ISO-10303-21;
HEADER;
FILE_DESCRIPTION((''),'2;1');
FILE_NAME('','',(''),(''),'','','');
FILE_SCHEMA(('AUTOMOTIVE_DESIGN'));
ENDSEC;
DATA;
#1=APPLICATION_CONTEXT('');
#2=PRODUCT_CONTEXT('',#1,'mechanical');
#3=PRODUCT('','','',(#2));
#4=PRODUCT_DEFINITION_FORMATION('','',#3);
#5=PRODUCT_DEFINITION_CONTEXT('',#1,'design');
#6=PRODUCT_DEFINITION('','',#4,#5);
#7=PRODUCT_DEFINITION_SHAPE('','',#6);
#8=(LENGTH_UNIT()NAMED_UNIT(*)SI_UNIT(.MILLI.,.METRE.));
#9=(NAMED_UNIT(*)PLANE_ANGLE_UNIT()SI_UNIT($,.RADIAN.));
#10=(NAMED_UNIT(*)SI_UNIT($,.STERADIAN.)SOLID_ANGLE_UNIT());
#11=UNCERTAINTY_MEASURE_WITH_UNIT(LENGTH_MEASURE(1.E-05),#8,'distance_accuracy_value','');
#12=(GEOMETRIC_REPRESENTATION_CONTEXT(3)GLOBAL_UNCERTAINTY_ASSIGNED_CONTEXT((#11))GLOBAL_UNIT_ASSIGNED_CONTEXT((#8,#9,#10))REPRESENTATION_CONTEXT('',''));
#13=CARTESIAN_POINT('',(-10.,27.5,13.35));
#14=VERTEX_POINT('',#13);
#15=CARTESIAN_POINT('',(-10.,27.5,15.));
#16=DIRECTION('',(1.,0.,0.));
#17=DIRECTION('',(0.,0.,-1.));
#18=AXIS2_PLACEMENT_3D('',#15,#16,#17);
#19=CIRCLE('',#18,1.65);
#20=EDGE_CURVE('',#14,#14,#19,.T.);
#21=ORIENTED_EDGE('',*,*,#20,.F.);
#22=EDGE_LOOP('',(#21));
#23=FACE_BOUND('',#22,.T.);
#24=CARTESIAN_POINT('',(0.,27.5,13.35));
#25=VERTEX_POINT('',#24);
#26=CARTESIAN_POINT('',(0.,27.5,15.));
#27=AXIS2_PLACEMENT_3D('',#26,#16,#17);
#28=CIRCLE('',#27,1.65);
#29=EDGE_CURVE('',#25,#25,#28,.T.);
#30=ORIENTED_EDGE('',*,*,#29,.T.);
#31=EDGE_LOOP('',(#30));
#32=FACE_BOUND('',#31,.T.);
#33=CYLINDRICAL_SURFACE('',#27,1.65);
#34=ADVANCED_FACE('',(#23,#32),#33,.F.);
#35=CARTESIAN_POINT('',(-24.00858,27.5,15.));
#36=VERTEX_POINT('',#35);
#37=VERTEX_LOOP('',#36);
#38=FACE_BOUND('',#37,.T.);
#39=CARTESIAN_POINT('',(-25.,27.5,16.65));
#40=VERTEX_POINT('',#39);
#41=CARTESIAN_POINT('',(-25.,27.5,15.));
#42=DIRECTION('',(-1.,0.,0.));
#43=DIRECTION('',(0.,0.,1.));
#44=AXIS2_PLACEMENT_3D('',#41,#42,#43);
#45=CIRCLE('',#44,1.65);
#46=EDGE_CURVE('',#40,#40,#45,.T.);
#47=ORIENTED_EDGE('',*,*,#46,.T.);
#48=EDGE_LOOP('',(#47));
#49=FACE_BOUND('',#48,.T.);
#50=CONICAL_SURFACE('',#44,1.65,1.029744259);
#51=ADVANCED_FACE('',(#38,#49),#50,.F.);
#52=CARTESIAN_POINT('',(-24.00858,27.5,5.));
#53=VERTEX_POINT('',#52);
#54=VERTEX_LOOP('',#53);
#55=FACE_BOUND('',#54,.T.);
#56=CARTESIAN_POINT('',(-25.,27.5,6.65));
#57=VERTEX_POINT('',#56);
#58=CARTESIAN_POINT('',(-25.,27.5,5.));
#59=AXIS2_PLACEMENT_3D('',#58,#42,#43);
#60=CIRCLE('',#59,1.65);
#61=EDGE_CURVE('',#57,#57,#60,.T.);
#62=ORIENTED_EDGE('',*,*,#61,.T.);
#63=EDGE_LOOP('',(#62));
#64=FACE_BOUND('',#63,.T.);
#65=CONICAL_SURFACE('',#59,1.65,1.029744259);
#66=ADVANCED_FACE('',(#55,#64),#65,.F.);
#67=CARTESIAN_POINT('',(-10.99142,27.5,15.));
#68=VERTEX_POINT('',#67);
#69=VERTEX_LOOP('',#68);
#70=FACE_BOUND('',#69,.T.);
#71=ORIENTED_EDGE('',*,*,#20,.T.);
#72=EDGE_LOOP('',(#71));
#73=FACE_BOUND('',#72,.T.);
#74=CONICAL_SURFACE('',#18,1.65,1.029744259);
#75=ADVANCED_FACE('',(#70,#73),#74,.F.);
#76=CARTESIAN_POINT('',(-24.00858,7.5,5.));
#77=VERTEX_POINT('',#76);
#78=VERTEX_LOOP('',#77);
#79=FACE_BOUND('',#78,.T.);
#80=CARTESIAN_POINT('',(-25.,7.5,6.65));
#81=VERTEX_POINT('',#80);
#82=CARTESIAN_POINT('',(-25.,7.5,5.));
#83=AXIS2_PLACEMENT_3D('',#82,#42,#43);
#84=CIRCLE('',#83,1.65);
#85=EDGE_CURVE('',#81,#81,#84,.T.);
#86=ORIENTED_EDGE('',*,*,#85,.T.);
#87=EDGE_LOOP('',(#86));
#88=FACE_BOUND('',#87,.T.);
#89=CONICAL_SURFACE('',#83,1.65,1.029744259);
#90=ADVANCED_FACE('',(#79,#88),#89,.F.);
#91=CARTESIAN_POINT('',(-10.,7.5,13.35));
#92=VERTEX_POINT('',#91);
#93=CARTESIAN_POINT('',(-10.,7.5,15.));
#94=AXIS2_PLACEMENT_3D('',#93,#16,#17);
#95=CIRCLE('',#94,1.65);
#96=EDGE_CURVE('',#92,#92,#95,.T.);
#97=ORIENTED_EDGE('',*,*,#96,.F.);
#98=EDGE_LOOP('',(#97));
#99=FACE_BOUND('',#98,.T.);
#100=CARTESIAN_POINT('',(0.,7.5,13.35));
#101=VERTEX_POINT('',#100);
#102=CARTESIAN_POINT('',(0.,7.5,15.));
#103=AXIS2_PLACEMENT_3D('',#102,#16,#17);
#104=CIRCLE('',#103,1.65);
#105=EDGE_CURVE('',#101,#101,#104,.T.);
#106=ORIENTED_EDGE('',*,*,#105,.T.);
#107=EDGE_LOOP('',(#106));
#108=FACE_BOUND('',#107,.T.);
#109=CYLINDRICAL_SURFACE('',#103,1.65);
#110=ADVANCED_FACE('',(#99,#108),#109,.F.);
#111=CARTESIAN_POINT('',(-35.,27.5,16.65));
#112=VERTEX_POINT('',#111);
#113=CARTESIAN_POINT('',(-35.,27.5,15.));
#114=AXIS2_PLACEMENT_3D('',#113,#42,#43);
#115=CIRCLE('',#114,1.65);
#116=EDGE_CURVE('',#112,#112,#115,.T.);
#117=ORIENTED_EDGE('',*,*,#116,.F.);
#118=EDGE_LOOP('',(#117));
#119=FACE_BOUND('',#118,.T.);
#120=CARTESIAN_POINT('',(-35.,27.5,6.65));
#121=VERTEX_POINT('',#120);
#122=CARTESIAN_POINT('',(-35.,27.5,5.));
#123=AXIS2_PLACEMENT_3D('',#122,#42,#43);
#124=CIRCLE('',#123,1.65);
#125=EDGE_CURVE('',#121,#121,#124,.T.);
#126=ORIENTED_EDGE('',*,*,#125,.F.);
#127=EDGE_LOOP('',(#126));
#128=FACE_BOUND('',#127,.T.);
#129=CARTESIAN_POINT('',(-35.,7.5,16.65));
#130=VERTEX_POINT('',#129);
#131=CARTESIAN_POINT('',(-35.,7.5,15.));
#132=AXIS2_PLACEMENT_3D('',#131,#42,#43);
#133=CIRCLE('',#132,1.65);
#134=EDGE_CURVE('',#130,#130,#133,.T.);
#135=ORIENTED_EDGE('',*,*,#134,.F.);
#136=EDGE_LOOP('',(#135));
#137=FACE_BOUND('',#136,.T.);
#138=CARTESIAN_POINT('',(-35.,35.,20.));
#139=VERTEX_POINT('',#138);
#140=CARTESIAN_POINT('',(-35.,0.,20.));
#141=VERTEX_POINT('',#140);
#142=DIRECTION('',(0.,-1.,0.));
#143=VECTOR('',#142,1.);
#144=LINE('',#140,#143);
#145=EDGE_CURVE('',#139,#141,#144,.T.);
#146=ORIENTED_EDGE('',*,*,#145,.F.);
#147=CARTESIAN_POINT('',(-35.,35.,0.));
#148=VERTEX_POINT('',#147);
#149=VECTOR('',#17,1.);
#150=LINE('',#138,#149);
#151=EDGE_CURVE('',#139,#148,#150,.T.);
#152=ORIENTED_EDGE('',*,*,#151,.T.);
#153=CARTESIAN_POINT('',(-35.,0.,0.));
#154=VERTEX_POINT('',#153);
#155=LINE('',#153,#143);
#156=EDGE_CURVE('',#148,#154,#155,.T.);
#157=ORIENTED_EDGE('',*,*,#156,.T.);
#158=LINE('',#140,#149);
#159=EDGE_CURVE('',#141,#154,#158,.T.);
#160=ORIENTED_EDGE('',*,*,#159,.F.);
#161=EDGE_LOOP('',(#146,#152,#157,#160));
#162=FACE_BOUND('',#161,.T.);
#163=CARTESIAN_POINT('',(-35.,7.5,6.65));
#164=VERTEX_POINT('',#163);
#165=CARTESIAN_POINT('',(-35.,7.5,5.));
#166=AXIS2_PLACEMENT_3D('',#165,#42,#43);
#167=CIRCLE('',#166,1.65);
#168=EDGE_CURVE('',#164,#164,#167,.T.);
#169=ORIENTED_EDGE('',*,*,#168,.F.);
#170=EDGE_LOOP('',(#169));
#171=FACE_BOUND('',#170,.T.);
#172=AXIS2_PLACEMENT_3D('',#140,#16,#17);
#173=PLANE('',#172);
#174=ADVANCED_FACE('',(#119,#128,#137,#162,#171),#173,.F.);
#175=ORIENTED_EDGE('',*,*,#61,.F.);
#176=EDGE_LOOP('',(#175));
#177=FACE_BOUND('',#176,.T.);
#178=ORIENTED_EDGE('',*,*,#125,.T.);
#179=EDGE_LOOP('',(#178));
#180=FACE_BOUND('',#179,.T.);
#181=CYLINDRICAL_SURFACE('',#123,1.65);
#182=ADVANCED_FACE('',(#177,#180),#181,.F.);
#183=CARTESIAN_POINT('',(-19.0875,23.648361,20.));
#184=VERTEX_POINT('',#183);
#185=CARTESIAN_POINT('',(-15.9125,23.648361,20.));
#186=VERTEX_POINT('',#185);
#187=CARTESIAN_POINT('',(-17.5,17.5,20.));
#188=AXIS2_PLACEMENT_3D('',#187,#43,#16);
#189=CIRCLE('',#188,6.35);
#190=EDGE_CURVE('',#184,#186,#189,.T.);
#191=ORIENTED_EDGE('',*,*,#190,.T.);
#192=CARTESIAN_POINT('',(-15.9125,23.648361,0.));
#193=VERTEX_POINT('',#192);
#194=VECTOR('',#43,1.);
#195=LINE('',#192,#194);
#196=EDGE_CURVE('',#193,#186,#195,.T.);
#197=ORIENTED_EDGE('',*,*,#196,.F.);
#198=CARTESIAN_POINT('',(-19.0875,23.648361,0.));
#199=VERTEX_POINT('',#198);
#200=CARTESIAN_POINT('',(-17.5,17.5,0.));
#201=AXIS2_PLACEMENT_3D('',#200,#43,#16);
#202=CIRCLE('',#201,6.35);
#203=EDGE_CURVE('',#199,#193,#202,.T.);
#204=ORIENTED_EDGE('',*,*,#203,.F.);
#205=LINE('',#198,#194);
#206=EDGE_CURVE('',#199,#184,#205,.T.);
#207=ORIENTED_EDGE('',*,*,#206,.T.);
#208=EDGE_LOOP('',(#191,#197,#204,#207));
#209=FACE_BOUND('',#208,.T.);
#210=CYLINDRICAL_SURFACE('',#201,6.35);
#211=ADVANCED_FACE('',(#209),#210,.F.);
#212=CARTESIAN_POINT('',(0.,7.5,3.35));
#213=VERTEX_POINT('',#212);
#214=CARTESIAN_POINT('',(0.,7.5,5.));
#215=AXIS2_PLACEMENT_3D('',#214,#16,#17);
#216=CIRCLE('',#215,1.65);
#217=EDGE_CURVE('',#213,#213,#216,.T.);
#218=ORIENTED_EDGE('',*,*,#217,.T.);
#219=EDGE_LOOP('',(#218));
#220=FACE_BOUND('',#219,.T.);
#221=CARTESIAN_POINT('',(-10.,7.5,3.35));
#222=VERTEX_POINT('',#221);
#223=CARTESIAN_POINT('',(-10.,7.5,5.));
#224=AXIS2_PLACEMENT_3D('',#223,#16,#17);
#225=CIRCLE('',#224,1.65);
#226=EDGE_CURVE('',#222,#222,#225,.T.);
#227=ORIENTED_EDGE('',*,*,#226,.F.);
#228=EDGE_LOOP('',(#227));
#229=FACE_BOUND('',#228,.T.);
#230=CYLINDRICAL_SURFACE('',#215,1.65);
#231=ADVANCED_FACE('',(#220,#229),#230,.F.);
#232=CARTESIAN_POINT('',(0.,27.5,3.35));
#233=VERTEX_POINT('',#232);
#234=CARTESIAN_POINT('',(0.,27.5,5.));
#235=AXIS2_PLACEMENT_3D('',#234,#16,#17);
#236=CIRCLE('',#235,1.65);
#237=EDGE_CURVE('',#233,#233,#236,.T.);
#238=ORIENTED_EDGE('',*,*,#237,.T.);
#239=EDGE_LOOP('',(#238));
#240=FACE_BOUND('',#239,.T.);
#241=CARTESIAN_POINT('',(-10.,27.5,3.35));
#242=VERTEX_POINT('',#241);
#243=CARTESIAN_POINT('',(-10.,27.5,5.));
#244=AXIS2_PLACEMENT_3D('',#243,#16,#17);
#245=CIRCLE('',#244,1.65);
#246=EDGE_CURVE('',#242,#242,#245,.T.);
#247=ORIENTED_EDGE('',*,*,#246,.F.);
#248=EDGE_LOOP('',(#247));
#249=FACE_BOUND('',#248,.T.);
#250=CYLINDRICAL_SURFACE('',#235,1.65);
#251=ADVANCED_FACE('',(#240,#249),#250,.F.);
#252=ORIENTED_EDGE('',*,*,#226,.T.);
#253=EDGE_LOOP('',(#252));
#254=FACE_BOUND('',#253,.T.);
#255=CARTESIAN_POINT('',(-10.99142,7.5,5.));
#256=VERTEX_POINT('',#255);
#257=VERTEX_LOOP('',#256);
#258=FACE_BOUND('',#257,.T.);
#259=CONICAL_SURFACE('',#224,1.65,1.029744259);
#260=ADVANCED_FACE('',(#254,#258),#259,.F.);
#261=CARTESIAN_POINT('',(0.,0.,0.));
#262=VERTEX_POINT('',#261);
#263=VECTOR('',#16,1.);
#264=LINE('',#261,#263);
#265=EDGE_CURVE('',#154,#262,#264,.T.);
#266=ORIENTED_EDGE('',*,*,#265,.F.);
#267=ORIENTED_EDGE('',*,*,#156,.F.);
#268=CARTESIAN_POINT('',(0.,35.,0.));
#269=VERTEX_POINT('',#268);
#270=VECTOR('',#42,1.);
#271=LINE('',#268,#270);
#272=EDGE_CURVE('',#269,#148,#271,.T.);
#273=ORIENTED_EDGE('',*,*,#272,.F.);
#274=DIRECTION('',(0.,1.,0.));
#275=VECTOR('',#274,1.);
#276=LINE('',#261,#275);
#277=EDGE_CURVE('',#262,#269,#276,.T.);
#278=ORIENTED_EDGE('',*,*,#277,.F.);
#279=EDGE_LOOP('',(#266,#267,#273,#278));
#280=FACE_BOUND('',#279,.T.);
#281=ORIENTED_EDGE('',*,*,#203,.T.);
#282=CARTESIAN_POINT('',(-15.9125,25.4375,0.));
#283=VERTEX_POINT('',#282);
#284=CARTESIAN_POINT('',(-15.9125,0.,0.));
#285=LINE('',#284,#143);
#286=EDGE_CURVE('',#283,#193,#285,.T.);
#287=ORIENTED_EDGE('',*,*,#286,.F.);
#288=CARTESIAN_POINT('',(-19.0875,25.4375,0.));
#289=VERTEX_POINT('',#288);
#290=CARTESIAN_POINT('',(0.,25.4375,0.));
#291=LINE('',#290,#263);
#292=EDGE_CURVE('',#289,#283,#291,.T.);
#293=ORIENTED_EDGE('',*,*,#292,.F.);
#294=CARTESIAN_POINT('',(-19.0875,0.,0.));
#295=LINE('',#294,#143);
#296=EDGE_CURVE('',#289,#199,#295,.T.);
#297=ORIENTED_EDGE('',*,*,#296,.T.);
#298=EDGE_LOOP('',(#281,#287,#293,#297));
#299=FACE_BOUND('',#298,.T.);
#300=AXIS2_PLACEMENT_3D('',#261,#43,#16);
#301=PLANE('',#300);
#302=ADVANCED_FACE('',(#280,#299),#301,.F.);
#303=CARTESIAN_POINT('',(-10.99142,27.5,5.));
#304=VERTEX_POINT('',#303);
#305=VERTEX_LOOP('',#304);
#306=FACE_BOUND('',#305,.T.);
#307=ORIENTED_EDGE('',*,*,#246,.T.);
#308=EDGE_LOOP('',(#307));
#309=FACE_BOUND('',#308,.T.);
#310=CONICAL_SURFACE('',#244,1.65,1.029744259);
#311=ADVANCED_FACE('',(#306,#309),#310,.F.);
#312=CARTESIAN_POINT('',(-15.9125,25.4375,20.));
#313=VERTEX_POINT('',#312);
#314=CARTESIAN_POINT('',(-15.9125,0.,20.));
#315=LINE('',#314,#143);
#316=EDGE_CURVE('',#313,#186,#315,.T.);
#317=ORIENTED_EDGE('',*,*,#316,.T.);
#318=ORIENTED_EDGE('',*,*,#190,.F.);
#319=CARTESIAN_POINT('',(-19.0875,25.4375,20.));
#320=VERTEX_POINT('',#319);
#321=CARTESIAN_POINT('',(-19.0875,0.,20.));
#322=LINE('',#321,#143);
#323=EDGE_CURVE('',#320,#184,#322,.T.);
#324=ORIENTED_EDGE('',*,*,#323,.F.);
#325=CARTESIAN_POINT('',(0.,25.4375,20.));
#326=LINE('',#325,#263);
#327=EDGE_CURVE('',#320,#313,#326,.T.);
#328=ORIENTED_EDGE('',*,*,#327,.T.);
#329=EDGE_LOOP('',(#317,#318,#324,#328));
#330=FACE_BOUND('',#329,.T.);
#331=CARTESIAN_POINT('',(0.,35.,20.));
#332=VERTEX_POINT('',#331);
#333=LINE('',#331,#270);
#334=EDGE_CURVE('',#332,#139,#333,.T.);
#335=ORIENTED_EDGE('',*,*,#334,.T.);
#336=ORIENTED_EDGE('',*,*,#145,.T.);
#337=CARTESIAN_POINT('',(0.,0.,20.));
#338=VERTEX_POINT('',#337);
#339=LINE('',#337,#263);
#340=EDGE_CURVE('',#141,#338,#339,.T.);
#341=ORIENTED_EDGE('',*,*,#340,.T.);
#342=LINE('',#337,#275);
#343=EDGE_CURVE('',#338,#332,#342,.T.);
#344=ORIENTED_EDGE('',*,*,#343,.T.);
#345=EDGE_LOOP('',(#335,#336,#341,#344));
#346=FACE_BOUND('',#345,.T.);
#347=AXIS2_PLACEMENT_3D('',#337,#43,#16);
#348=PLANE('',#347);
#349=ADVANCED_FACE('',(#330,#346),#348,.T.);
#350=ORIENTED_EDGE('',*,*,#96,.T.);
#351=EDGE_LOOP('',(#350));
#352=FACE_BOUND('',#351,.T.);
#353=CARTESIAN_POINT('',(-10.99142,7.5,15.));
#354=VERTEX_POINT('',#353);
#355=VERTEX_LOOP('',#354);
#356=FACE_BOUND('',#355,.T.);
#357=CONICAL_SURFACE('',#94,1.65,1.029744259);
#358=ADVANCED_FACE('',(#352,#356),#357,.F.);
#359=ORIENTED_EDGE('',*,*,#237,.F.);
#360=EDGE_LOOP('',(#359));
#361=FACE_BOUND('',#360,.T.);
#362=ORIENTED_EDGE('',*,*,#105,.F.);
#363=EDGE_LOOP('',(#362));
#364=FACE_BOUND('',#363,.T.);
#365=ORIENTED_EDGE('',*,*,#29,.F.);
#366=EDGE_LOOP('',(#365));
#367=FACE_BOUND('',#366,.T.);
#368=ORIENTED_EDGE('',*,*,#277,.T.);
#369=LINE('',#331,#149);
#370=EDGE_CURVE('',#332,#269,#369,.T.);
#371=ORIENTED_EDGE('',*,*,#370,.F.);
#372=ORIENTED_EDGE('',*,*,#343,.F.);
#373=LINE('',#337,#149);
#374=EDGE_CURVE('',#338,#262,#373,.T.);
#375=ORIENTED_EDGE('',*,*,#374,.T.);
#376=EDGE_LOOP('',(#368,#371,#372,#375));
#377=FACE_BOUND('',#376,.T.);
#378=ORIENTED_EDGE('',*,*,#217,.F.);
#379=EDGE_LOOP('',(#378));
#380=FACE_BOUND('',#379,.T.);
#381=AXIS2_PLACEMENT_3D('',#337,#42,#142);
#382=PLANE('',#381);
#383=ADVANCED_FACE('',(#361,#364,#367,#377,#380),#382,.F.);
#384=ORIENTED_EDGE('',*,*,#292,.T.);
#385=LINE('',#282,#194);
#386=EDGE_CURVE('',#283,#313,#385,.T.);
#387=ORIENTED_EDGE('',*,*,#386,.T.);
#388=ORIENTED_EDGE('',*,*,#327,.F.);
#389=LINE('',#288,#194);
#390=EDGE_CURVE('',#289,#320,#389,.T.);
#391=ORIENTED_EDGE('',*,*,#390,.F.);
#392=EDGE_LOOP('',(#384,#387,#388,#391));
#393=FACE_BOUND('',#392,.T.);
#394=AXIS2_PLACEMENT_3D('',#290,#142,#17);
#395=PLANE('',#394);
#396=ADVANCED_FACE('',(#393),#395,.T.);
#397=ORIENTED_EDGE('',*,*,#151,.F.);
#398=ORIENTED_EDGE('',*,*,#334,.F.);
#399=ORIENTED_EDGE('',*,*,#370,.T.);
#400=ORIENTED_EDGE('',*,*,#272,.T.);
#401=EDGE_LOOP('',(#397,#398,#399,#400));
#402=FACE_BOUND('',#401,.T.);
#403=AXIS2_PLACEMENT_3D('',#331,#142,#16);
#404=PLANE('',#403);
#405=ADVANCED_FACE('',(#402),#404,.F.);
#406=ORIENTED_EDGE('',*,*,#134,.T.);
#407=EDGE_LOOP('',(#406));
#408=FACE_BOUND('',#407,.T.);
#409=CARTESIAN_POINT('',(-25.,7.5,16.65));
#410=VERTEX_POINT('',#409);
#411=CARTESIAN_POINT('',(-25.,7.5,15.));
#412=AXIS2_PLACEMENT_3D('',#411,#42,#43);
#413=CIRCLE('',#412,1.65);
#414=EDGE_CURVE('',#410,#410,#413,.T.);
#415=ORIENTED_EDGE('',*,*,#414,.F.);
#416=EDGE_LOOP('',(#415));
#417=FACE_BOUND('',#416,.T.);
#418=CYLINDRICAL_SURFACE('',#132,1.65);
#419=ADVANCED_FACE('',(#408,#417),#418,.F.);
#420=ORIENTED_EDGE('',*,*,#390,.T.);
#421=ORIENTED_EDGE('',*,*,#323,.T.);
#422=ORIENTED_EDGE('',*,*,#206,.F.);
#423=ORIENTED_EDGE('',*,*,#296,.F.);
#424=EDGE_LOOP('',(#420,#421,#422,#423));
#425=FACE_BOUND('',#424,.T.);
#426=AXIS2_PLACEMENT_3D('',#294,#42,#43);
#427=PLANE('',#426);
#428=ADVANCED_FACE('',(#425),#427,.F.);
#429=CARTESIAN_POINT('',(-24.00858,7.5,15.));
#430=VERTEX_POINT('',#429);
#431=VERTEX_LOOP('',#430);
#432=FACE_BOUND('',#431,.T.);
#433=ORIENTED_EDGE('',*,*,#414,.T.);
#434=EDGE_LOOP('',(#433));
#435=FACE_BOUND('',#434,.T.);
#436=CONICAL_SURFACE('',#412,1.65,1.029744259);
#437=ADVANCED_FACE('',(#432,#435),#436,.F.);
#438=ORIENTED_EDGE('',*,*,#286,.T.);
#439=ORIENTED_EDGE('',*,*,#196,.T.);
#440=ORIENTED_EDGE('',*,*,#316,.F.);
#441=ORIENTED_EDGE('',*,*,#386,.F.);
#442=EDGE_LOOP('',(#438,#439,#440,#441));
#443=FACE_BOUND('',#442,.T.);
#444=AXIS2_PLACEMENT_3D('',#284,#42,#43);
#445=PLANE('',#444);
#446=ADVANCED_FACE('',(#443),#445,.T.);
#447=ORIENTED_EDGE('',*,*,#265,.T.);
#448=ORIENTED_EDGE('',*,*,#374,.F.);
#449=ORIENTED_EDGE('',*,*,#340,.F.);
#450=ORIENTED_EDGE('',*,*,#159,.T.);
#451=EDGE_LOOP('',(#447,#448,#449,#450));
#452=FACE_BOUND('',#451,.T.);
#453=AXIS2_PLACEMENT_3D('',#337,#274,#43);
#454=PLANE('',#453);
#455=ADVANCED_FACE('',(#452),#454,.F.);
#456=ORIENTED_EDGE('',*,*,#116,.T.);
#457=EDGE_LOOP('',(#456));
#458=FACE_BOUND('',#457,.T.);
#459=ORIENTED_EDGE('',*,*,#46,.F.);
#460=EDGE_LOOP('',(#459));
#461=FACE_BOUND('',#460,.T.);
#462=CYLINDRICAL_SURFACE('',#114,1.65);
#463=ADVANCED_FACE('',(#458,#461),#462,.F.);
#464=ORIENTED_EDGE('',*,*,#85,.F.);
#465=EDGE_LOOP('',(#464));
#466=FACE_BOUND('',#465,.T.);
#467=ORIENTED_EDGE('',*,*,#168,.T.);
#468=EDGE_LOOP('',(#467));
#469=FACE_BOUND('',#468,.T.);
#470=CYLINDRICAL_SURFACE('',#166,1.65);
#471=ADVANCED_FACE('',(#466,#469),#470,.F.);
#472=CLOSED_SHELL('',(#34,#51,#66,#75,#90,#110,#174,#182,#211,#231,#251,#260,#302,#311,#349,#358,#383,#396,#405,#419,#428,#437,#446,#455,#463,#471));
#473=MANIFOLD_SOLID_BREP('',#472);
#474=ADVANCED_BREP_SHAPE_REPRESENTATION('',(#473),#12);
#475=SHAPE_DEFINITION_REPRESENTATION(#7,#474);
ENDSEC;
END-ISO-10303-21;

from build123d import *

# Parameters (mm, degrees)
SKETCH1_W                      = 35
SKETCH1_H                      = 35
BOSS_EXTRUDE1_DEPTH            = 20
CUT_EXTRUDE1_DEPTH             = 54.38539126
M4X0_7_TAPPED_HOLE1_AT_2_COUNT = 2
M4X0_7_TAPPED_HOLE1_AT_2_PITCH = 22.360679775
M4X0_7_TAPPED_HOLE1_AT_3_COUNT = 2
M4X0_7_TAPPED_HOLE1_AT_3_PITCH = 20
M4X0_7_TAPPED_HOLE1_AT_4_COUNT = 2
M4X0_7_TAPPED_HOLE1_AT_4_PITCH = 10


with BuildPart() as part:
    # Sketch1 → Boss-Extrude1 (new body)
    with BuildSketch(Plane.XY):
        with Locations((-17.5, 17.5)):
            Rectangle(SKETCH1_W, SKETCH1_H)
    extrude(amount=BOSS_EXTRUDE1_DEPTH)

    # Sketch2 → Cut-Extrude1 (cut, through all)
    with BuildSketch(Plane.XY.offset(20)):
        with BuildLine():
            Line((-15.9125, 25.4375), (-19.0875, 25.4375))
            Line((-19.0875, 25.4375), (-19.0875, 23.648361062))
            ThreePointArc((-19.0875, 23.648361062), (-17.5, 11.15), (-15.9125, 23.648361062))
            Line((-15.9125, 23.648361062), (-15.9125, 25.4375))
        make_face()
    extrude(amount=-CUT_EXTRUDE1_DEPTH, mode=Mode.SUBTRACT)

    # Sketch4 → M4x0.7 Tapped Hole1 (revolve, cut)
    with BuildSketch(Plane(origin=(-35, 27.5, 5), x_dir=(0, 0, 1), z_dir=(0, 1, 0))):
        Polygon((0, 0), (0, 10.991420021), (1.65, 10), (1.65, 0), align=None)
    m4x0_7_tapped_hole1 = revolve(axis=Axis((-41.35, 27.5, 5), (1, 0, 0)), mode=Mode.SUBTRACT)

    # M4x0.7 Tapped Hole1 at 2: M4x0.7 Tapped Hole1 ×2
    with Locations(*[Vector(0, -0.8944271909999159, 0.4472135954999581) * (i * M4X0_7_TAPPED_HOLE1_AT_2_PITCH) for i in range(1, M4X0_7_TAPPED_HOLE1_AT_2_COUNT)]):
        add(m4x0_7_tapped_hole1, mode=Mode.SUBTRACT)

    # M4x0.7 Tapped Hole1 at 3: M4x0.7 Tapped Hole1 ×2
    with Locations(*[(0, -i * M4X0_7_TAPPED_HOLE1_AT_3_PITCH, 0) for i in range(1, M4X0_7_TAPPED_HOLE1_AT_3_COUNT)]):
        add(m4x0_7_tapped_hole1, mode=Mode.SUBTRACT)

    # M4x0.7 Tapped Hole1 at 4: M4x0.7 Tapped Hole1 ×2
    with Locations(*[(0, 0, i * M4X0_7_TAPPED_HOLE1_AT_4_PITCH) for i in range(1, M4X0_7_TAPPED_HOLE1_AT_4_COUNT)]):
        add(m4x0_7_tapped_hole1, mode=Mode.SUBTRACT)

    # Mirror1: M4x0.7 Tapped Hole1 across plane
    add(m4x0_7_tapped_hole1.mirror(Plane.ZY.offset(17.5)), mode=Mode.SUBTRACT)

    # Mirror1 copy 1 sketch → Mirror1 copy 1 (revolve, cut)
    with BuildSketch(Plane(origin=(0, 7.5, 15), x_dir=(0, 0, 1), z_dir=(0, 1, 0))):
        Polygon((0, 0), (0, -10.991420021), (1.65, -10), (1.65, 0), align=None)
    revolve(axis=Axis((6.35, 7.5, 15), (1, 0, 0)), mode=Mode.SUBTRACT)

    # Mirror1 copy 2 sketch → Mirror1 copy 2 (revolve, cut)
    with BuildSketch(Plane(origin=(0, 7.5, 5), x_dir=(0, 0, 1), z_dir=(0, 1, 0))):
        Polygon((0, 0), (0, -10.991420021), (1.65, -10), (1.65, 0), align=None)
    revolve(axis=Axis((6.35, 7.5, 5), (1, 0, 0)), mode=Mode.SUBTRACT)

    # Mirror1 copy 3 sketch → Mirror1 copy 3 (revolve, cut)
    with BuildSketch(Plane(origin=(0, 27.5, 15), x_dir=(0, 0, 1), z_dir=(0, 1, 0))):
        Polygon((0, 0), (0, -10.991420021), (1.65, -10), (1.65, 0), align=None)
    revolve(axis=Axis((6.35, 27.5, 15), (1, 0, 0)), mode=Mode.SUBTRACT)


solid = part.part
